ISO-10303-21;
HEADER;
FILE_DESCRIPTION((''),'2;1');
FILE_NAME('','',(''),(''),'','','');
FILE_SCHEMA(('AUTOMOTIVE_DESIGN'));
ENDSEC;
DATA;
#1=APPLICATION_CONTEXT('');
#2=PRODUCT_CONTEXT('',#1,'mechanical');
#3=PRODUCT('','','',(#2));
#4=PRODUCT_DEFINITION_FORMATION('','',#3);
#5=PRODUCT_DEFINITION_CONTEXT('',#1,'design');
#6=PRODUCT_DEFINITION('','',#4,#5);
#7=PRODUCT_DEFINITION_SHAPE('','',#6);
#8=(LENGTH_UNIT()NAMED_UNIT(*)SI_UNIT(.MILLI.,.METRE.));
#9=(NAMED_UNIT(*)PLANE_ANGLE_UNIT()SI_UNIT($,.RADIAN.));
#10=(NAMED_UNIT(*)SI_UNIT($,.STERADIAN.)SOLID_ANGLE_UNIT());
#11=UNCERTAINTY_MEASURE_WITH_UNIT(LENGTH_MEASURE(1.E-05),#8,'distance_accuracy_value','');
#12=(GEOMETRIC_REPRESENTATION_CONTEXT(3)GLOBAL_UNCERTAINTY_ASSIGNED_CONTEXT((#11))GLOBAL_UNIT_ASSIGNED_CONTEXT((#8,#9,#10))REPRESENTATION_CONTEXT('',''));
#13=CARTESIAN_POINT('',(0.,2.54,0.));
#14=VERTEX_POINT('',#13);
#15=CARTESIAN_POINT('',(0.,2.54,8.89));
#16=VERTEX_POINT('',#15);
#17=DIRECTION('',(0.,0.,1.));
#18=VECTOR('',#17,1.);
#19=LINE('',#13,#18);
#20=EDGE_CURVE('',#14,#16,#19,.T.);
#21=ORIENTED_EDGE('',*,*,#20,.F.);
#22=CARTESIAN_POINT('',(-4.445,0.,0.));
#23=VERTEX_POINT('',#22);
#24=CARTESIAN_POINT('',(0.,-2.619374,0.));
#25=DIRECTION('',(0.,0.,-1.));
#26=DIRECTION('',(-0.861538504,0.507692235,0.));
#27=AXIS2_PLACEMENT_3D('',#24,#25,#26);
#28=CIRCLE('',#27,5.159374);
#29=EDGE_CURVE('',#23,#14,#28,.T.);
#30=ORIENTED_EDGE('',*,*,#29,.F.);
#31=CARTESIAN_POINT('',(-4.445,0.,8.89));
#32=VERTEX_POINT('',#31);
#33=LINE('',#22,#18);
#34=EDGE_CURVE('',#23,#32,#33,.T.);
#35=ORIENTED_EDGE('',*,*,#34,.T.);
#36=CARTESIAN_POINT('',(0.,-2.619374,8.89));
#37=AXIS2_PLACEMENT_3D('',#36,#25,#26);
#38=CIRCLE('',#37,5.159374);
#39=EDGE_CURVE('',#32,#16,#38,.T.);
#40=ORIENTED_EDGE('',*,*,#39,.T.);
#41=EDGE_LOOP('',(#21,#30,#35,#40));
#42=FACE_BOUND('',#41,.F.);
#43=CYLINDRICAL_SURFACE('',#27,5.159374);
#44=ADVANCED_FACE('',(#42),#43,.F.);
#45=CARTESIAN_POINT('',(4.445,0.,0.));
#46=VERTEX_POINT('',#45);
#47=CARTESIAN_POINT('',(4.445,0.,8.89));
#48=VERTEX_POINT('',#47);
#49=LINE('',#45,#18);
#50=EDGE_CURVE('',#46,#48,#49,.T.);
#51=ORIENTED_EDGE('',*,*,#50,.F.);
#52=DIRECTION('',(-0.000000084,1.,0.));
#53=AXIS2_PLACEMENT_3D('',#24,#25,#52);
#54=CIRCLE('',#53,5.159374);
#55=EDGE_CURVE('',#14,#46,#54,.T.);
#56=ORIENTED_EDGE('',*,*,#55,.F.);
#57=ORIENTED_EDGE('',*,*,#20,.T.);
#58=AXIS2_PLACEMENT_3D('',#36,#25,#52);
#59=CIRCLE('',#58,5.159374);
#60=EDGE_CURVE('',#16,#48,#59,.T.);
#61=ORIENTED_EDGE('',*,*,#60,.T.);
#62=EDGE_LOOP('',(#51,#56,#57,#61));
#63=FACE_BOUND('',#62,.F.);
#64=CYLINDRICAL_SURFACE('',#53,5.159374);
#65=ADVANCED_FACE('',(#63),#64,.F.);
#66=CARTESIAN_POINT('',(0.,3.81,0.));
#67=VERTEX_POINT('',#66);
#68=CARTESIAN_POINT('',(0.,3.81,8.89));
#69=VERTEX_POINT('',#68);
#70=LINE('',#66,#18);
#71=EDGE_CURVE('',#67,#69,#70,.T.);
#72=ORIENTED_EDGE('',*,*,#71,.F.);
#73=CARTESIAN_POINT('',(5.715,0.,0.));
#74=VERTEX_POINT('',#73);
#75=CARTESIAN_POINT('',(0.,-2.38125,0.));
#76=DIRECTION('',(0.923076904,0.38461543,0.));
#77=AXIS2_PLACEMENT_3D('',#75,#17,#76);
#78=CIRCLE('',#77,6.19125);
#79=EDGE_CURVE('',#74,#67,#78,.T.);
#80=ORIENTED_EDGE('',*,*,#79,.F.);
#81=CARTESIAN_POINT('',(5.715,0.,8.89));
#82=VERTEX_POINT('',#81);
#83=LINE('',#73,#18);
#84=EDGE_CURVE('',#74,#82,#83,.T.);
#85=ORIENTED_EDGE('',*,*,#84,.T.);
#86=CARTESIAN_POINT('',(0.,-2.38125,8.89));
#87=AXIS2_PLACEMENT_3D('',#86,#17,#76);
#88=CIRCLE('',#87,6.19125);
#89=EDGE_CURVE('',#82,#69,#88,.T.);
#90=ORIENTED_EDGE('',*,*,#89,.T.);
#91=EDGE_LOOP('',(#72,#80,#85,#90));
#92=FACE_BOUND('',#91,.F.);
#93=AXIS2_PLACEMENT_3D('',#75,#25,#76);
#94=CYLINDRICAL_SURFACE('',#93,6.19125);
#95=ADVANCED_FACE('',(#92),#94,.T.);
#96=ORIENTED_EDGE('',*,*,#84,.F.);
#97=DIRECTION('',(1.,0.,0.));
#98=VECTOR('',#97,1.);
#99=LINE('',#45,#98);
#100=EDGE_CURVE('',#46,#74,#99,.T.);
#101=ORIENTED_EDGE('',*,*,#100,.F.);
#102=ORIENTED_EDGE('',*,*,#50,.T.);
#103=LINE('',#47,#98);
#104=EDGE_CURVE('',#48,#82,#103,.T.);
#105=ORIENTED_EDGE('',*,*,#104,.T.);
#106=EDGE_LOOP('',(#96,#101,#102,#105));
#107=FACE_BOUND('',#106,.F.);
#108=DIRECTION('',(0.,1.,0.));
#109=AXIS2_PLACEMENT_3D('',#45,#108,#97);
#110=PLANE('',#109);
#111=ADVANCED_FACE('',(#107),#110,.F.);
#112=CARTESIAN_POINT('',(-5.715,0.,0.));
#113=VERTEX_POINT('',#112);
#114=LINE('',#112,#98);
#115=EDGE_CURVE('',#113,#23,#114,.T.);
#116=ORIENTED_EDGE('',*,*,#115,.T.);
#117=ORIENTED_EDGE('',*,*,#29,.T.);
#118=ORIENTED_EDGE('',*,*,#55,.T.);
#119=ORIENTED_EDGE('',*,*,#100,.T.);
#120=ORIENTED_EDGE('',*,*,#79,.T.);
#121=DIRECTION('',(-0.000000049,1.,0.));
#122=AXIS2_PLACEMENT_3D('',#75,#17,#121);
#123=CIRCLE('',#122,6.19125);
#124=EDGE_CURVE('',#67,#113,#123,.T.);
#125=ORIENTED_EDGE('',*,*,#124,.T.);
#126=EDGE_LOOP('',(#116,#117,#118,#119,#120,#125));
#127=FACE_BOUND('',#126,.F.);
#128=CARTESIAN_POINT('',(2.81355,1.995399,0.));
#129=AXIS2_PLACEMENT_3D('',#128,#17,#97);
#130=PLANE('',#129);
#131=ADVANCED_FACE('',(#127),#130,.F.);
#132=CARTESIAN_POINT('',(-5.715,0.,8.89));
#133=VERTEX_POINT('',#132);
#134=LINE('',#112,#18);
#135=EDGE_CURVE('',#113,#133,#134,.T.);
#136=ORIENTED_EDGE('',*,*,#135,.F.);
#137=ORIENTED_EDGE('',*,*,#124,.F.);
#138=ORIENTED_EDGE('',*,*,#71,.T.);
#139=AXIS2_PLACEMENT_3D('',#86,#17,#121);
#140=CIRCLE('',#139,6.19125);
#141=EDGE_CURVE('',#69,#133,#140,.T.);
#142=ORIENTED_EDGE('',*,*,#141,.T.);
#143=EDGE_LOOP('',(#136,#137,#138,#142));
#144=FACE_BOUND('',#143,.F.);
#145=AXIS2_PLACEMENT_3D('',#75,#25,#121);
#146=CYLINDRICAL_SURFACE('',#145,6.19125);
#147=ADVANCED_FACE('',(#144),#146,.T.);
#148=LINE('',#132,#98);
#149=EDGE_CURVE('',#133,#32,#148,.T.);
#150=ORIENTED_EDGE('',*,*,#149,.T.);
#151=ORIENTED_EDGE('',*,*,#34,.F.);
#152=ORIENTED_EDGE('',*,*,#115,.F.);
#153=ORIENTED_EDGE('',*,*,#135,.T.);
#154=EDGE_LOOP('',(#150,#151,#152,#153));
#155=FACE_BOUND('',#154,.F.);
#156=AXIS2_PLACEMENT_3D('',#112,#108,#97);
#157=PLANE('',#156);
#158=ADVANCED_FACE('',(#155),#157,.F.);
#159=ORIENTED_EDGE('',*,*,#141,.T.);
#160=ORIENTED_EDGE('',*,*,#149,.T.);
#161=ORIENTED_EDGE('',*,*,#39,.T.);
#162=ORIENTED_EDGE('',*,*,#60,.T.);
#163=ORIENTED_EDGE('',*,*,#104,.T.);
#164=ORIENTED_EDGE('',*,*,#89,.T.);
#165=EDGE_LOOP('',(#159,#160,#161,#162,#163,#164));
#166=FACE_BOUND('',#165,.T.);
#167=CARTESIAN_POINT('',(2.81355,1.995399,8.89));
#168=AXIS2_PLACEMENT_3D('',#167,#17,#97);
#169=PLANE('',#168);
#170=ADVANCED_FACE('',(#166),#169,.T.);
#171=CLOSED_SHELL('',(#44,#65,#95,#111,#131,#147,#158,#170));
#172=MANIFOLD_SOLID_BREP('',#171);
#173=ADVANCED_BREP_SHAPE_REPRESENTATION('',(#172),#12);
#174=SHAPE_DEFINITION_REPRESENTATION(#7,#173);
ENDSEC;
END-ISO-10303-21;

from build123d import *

# Parameters (mm, degrees)
F1_DEPTH = 8.89


with BuildPart() as f1:
    # F0 (on Top) → F1 (new body)
    with BuildSketch(Plane.XY):
        with BuildLine():
            Line((4.445, 0), (5.715, 0))
            ThreePointArc((5.715, 0), (3.434288, 2.770181), (0, 3.81))
            Line((0, 3.81), (0, 2.54))
            ThreePointArc((0, 2.54), (2.559767, 1.860217), (4.445, 0))
        make_face()
        with BuildLine():
            Line((0, 2.54), (0, 3.81))
            ThreePointArc((0, 3.81), (-3.434288, 2.770181), (-5.715, 0))
            Line((-5.715, 0), (-4.445, 0))
            ThreePointArc((-4.445, 0), (-2.559767, 1.860217), (0, 2.54))
        make_face()
    extrude(amount=F1_DEPTH)


solid = f1.part
